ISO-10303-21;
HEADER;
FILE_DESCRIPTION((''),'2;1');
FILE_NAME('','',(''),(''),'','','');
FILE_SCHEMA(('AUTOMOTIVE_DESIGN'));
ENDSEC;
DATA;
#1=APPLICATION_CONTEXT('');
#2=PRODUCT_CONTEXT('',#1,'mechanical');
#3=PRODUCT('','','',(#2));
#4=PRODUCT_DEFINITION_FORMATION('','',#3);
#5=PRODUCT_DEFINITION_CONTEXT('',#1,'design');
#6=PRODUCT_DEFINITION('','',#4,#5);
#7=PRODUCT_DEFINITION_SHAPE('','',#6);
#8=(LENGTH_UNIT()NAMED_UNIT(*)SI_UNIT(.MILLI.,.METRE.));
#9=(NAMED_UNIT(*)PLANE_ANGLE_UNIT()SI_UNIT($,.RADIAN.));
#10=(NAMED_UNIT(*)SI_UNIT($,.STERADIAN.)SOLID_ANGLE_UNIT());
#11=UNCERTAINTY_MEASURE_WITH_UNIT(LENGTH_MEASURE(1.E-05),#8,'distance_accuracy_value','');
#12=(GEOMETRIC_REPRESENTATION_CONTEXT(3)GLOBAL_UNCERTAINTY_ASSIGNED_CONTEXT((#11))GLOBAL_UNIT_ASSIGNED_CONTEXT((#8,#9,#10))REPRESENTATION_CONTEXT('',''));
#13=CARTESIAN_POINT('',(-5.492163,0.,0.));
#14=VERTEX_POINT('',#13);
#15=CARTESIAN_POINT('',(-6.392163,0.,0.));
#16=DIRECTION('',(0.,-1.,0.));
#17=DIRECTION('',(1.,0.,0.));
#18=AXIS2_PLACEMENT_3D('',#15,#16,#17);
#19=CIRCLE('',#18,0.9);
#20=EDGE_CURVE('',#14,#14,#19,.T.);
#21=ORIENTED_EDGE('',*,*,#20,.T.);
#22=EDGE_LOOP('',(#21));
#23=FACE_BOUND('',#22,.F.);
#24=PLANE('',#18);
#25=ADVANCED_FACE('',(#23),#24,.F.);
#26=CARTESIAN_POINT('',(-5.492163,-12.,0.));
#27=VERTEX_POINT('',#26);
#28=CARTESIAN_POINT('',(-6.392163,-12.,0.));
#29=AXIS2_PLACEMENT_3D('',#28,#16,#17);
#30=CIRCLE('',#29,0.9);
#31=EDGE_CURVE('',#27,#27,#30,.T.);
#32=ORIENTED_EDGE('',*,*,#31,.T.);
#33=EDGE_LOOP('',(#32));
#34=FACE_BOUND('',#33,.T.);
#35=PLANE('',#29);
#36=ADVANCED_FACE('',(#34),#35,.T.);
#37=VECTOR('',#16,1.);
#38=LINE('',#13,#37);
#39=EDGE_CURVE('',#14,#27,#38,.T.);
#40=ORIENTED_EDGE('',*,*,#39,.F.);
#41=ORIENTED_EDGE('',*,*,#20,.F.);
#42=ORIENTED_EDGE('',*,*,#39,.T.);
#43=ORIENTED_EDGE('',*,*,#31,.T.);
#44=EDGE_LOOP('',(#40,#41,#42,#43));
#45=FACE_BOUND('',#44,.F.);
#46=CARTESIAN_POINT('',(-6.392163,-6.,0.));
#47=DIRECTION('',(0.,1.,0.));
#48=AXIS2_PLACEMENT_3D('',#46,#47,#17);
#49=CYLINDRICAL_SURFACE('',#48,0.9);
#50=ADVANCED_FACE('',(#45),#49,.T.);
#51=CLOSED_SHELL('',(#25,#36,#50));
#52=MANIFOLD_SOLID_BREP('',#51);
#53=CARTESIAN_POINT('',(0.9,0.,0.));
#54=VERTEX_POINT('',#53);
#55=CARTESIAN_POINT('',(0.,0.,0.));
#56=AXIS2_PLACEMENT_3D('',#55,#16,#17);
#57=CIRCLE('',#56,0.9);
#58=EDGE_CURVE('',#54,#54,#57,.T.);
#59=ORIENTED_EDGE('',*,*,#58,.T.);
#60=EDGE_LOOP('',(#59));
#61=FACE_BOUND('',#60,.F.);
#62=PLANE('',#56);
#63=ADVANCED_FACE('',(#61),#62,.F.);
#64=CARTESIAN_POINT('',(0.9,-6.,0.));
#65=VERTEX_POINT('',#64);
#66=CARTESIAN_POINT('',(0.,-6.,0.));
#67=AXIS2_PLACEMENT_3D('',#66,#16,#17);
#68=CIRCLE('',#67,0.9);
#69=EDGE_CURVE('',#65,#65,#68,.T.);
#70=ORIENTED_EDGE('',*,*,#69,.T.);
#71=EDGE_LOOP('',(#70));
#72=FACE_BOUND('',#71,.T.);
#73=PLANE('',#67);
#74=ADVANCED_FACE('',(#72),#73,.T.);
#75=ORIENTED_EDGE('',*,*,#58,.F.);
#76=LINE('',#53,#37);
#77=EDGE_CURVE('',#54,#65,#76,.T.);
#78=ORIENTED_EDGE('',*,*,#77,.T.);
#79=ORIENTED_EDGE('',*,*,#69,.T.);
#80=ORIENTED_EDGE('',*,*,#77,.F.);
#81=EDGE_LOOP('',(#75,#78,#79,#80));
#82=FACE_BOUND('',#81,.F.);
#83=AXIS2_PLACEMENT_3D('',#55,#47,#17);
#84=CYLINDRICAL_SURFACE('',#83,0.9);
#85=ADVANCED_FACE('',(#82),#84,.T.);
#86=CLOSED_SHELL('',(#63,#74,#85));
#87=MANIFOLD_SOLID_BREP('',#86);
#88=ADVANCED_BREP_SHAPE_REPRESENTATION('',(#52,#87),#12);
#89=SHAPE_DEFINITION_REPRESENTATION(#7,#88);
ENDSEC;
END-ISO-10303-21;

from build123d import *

# Parameters (mm, degrees)
F0_R      = 0.9
F1_DEPTH  = 6
F1_FACE_R = 0.9
F2_DEPTH  = 6


with BuildPart() as f1:
    # F0 (on Front) → F1 (new body)
    with BuildSketch(Plane.XZ):
        Circle(F0_R)
        with Locations((-6.392163, 0)):
            Circle(F0_R)
    extrude(amount=F1_DEPTH)

    # F1_face (on face) → F2 (join)
    with BuildSketch(Plane(origin=(-6.392163, -6, 0), x_dir=(1, 0, 0), z_dir=(0, -1, 0))):
        Circle(F1_FACE_R)
    extrude(amount=F2_DEPTH)


solid = f1.part
